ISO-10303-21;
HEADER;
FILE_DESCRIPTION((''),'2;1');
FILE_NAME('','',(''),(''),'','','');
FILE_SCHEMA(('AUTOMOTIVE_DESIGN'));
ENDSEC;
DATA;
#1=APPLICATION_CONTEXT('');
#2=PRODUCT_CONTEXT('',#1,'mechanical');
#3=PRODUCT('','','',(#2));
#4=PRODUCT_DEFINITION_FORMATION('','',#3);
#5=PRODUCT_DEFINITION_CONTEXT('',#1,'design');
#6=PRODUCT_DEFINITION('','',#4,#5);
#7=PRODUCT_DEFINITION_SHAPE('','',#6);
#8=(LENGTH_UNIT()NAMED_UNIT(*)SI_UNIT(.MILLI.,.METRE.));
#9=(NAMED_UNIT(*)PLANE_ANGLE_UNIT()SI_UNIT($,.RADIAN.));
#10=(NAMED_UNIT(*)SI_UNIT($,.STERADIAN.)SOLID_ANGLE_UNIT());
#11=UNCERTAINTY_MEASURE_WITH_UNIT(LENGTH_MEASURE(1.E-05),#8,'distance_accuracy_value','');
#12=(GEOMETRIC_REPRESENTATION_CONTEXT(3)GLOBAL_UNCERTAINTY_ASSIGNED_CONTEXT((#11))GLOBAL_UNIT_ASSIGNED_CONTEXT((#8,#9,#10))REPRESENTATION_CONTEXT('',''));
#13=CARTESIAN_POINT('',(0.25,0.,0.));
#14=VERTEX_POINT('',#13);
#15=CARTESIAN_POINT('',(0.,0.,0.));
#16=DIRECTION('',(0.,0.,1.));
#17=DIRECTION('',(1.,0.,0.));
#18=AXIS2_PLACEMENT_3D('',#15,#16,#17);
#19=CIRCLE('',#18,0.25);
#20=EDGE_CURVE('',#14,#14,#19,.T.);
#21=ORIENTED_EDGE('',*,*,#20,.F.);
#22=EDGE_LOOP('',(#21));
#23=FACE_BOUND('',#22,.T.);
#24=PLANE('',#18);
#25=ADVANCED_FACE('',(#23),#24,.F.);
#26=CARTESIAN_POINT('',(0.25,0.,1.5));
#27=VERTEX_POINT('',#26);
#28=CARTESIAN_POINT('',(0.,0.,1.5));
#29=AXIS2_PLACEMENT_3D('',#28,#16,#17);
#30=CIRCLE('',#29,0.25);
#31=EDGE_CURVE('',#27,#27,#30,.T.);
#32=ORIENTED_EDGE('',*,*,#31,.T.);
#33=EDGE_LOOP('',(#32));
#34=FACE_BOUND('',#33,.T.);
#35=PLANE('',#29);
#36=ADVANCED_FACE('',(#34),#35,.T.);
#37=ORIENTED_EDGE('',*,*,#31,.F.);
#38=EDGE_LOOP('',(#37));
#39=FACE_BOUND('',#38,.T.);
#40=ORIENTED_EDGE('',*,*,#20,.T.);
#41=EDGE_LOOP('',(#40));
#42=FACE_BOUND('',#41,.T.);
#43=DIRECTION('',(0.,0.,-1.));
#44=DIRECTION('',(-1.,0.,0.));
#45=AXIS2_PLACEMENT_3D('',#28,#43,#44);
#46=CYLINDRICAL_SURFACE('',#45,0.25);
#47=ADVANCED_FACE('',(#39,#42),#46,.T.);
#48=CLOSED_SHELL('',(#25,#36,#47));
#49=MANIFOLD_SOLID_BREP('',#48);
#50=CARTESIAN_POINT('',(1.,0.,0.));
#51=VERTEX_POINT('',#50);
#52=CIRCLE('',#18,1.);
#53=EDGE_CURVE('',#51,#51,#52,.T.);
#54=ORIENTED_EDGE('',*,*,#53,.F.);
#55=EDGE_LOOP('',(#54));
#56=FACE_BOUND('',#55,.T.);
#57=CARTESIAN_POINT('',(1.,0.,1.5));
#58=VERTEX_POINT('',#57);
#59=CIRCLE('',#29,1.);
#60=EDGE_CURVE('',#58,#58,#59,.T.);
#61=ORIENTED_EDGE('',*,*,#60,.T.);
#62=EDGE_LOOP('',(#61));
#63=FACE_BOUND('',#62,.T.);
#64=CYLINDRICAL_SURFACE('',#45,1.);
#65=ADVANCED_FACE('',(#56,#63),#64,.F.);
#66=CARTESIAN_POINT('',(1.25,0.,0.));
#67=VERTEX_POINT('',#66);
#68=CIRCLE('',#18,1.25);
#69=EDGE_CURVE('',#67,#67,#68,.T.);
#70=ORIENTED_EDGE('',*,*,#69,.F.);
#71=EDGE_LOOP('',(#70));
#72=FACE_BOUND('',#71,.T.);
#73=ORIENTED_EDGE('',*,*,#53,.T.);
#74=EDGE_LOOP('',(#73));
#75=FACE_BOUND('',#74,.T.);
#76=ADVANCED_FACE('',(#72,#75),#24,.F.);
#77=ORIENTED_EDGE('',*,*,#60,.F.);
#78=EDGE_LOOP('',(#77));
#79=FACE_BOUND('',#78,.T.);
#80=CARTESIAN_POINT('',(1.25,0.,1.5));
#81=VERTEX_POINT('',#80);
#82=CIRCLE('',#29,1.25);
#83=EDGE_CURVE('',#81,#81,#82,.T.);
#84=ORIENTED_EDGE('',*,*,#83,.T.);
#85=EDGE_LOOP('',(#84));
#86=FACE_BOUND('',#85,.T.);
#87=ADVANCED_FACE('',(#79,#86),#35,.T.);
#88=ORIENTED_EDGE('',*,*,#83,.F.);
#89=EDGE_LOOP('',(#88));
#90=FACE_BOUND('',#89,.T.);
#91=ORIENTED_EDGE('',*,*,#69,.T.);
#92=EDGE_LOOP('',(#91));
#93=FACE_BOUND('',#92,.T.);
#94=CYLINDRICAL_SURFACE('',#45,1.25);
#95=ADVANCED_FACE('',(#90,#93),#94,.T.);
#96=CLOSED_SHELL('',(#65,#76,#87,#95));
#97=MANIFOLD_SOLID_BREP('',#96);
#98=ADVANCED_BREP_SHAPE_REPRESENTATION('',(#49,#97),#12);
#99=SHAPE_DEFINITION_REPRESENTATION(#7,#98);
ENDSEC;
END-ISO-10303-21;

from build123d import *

# Parameters (mm, degrees)
ESQUISSE1_R        = 1.25
ESQUISSE1_R_2      = 1
BOSS_EXTRU_1_DEPTH = 1.5
ESQUISSE2_R        = 0.25
BOSS_EXTRU_2_DEPTH = 1.5


with BuildPart() as part:
    # Esquisse1 → Boss.-Extru.1 (new body)
    with BuildSketch(Plane.XY):
        Circle(ESQUISSE1_R)
        Circle(ESQUISSE1_R_2, mode=Mode.SUBTRACT)
    extrude(amount=BOSS_EXTRU_1_DEPTH)


with BuildPart() as body_2:
    # Esquisse2 → Boss.-Extru.2 (new body)
    with BuildSketch(Plane.XY):
        Circle(ESQUISSE2_R)
    extrude(amount=BOSS_EXTRU_2_DEPTH)


solid = Compound([part.part, body_2.part])
